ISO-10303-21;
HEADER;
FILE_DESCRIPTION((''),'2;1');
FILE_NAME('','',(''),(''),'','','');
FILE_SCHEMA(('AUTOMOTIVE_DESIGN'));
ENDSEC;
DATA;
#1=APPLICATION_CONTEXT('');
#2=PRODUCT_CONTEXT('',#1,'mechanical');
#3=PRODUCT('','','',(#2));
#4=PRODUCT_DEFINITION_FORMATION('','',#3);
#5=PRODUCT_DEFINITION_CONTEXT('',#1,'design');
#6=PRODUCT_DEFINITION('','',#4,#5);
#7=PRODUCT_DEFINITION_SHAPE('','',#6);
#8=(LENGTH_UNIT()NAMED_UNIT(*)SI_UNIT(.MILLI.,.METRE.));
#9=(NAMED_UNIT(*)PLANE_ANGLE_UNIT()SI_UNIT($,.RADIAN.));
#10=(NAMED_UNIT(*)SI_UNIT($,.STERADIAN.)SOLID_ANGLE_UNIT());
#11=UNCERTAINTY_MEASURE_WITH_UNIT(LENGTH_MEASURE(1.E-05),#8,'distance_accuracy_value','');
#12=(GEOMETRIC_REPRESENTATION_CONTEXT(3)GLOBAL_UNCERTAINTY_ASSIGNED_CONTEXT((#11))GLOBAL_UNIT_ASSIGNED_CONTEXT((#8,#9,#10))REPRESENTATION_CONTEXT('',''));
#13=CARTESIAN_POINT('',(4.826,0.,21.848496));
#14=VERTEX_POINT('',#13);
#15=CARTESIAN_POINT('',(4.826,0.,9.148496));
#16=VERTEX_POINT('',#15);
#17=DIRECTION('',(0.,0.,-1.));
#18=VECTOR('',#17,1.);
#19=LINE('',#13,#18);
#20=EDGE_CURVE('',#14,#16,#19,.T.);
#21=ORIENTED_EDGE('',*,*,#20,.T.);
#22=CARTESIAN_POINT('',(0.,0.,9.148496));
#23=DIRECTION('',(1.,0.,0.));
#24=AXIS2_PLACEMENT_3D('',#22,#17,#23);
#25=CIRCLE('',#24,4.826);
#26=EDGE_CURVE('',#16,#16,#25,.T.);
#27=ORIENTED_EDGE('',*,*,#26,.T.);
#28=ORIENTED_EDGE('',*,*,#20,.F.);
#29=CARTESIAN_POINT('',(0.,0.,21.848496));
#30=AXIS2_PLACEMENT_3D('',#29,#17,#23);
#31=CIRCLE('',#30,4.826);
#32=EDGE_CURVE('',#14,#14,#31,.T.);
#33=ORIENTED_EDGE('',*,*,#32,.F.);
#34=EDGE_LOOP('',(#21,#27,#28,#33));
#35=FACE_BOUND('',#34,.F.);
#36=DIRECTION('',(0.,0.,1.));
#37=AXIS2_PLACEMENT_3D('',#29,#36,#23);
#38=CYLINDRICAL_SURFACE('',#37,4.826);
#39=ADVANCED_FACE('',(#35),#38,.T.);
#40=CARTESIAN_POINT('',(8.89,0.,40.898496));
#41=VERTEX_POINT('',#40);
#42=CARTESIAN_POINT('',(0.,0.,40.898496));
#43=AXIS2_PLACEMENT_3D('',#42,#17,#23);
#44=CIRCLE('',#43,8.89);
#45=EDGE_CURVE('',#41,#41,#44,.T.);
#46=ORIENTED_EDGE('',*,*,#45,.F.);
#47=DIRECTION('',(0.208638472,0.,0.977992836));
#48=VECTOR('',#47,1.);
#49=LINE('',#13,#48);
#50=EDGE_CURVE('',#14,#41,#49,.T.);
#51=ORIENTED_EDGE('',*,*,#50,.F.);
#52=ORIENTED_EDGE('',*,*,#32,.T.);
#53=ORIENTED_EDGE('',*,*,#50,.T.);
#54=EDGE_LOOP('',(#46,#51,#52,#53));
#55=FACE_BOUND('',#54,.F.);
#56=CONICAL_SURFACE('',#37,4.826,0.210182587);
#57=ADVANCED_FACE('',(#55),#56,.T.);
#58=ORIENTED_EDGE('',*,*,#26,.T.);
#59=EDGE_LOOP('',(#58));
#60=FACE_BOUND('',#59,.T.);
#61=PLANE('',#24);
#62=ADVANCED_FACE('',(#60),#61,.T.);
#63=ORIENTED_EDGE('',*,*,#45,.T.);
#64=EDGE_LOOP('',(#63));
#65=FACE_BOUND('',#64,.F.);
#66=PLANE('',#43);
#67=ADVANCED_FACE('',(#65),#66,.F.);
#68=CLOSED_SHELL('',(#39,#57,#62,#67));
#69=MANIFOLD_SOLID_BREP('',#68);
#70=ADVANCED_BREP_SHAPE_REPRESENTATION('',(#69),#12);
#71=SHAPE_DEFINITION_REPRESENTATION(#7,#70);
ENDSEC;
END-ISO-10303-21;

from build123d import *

# Parameters (mm, degrees)
F2_R     = 4.826
F3_DEPTH = 12.7


with BuildPart() as f1:
    # F0 (on Front) → F1 (revolve)
    with BuildSketch(Plane.XZ):
        Polygon((8.89, 40.898496), (0, 40.898496), (0, 21.848496), (4.826, 21.848496), align=None)
    revolve(axis=Axis((0, 0, 31.373496), (0, 0, -1)))

    # F2 (on face) → F3 (join)
    with BuildSketch(Plane(origin=(0, 0, 21.848496), x_dir=(1, 0, 0), z_dir=(0, 0, -1))):
        Circle(F2_R)
    extrude(amount=F3_DEPTH)


solid = f1.part
